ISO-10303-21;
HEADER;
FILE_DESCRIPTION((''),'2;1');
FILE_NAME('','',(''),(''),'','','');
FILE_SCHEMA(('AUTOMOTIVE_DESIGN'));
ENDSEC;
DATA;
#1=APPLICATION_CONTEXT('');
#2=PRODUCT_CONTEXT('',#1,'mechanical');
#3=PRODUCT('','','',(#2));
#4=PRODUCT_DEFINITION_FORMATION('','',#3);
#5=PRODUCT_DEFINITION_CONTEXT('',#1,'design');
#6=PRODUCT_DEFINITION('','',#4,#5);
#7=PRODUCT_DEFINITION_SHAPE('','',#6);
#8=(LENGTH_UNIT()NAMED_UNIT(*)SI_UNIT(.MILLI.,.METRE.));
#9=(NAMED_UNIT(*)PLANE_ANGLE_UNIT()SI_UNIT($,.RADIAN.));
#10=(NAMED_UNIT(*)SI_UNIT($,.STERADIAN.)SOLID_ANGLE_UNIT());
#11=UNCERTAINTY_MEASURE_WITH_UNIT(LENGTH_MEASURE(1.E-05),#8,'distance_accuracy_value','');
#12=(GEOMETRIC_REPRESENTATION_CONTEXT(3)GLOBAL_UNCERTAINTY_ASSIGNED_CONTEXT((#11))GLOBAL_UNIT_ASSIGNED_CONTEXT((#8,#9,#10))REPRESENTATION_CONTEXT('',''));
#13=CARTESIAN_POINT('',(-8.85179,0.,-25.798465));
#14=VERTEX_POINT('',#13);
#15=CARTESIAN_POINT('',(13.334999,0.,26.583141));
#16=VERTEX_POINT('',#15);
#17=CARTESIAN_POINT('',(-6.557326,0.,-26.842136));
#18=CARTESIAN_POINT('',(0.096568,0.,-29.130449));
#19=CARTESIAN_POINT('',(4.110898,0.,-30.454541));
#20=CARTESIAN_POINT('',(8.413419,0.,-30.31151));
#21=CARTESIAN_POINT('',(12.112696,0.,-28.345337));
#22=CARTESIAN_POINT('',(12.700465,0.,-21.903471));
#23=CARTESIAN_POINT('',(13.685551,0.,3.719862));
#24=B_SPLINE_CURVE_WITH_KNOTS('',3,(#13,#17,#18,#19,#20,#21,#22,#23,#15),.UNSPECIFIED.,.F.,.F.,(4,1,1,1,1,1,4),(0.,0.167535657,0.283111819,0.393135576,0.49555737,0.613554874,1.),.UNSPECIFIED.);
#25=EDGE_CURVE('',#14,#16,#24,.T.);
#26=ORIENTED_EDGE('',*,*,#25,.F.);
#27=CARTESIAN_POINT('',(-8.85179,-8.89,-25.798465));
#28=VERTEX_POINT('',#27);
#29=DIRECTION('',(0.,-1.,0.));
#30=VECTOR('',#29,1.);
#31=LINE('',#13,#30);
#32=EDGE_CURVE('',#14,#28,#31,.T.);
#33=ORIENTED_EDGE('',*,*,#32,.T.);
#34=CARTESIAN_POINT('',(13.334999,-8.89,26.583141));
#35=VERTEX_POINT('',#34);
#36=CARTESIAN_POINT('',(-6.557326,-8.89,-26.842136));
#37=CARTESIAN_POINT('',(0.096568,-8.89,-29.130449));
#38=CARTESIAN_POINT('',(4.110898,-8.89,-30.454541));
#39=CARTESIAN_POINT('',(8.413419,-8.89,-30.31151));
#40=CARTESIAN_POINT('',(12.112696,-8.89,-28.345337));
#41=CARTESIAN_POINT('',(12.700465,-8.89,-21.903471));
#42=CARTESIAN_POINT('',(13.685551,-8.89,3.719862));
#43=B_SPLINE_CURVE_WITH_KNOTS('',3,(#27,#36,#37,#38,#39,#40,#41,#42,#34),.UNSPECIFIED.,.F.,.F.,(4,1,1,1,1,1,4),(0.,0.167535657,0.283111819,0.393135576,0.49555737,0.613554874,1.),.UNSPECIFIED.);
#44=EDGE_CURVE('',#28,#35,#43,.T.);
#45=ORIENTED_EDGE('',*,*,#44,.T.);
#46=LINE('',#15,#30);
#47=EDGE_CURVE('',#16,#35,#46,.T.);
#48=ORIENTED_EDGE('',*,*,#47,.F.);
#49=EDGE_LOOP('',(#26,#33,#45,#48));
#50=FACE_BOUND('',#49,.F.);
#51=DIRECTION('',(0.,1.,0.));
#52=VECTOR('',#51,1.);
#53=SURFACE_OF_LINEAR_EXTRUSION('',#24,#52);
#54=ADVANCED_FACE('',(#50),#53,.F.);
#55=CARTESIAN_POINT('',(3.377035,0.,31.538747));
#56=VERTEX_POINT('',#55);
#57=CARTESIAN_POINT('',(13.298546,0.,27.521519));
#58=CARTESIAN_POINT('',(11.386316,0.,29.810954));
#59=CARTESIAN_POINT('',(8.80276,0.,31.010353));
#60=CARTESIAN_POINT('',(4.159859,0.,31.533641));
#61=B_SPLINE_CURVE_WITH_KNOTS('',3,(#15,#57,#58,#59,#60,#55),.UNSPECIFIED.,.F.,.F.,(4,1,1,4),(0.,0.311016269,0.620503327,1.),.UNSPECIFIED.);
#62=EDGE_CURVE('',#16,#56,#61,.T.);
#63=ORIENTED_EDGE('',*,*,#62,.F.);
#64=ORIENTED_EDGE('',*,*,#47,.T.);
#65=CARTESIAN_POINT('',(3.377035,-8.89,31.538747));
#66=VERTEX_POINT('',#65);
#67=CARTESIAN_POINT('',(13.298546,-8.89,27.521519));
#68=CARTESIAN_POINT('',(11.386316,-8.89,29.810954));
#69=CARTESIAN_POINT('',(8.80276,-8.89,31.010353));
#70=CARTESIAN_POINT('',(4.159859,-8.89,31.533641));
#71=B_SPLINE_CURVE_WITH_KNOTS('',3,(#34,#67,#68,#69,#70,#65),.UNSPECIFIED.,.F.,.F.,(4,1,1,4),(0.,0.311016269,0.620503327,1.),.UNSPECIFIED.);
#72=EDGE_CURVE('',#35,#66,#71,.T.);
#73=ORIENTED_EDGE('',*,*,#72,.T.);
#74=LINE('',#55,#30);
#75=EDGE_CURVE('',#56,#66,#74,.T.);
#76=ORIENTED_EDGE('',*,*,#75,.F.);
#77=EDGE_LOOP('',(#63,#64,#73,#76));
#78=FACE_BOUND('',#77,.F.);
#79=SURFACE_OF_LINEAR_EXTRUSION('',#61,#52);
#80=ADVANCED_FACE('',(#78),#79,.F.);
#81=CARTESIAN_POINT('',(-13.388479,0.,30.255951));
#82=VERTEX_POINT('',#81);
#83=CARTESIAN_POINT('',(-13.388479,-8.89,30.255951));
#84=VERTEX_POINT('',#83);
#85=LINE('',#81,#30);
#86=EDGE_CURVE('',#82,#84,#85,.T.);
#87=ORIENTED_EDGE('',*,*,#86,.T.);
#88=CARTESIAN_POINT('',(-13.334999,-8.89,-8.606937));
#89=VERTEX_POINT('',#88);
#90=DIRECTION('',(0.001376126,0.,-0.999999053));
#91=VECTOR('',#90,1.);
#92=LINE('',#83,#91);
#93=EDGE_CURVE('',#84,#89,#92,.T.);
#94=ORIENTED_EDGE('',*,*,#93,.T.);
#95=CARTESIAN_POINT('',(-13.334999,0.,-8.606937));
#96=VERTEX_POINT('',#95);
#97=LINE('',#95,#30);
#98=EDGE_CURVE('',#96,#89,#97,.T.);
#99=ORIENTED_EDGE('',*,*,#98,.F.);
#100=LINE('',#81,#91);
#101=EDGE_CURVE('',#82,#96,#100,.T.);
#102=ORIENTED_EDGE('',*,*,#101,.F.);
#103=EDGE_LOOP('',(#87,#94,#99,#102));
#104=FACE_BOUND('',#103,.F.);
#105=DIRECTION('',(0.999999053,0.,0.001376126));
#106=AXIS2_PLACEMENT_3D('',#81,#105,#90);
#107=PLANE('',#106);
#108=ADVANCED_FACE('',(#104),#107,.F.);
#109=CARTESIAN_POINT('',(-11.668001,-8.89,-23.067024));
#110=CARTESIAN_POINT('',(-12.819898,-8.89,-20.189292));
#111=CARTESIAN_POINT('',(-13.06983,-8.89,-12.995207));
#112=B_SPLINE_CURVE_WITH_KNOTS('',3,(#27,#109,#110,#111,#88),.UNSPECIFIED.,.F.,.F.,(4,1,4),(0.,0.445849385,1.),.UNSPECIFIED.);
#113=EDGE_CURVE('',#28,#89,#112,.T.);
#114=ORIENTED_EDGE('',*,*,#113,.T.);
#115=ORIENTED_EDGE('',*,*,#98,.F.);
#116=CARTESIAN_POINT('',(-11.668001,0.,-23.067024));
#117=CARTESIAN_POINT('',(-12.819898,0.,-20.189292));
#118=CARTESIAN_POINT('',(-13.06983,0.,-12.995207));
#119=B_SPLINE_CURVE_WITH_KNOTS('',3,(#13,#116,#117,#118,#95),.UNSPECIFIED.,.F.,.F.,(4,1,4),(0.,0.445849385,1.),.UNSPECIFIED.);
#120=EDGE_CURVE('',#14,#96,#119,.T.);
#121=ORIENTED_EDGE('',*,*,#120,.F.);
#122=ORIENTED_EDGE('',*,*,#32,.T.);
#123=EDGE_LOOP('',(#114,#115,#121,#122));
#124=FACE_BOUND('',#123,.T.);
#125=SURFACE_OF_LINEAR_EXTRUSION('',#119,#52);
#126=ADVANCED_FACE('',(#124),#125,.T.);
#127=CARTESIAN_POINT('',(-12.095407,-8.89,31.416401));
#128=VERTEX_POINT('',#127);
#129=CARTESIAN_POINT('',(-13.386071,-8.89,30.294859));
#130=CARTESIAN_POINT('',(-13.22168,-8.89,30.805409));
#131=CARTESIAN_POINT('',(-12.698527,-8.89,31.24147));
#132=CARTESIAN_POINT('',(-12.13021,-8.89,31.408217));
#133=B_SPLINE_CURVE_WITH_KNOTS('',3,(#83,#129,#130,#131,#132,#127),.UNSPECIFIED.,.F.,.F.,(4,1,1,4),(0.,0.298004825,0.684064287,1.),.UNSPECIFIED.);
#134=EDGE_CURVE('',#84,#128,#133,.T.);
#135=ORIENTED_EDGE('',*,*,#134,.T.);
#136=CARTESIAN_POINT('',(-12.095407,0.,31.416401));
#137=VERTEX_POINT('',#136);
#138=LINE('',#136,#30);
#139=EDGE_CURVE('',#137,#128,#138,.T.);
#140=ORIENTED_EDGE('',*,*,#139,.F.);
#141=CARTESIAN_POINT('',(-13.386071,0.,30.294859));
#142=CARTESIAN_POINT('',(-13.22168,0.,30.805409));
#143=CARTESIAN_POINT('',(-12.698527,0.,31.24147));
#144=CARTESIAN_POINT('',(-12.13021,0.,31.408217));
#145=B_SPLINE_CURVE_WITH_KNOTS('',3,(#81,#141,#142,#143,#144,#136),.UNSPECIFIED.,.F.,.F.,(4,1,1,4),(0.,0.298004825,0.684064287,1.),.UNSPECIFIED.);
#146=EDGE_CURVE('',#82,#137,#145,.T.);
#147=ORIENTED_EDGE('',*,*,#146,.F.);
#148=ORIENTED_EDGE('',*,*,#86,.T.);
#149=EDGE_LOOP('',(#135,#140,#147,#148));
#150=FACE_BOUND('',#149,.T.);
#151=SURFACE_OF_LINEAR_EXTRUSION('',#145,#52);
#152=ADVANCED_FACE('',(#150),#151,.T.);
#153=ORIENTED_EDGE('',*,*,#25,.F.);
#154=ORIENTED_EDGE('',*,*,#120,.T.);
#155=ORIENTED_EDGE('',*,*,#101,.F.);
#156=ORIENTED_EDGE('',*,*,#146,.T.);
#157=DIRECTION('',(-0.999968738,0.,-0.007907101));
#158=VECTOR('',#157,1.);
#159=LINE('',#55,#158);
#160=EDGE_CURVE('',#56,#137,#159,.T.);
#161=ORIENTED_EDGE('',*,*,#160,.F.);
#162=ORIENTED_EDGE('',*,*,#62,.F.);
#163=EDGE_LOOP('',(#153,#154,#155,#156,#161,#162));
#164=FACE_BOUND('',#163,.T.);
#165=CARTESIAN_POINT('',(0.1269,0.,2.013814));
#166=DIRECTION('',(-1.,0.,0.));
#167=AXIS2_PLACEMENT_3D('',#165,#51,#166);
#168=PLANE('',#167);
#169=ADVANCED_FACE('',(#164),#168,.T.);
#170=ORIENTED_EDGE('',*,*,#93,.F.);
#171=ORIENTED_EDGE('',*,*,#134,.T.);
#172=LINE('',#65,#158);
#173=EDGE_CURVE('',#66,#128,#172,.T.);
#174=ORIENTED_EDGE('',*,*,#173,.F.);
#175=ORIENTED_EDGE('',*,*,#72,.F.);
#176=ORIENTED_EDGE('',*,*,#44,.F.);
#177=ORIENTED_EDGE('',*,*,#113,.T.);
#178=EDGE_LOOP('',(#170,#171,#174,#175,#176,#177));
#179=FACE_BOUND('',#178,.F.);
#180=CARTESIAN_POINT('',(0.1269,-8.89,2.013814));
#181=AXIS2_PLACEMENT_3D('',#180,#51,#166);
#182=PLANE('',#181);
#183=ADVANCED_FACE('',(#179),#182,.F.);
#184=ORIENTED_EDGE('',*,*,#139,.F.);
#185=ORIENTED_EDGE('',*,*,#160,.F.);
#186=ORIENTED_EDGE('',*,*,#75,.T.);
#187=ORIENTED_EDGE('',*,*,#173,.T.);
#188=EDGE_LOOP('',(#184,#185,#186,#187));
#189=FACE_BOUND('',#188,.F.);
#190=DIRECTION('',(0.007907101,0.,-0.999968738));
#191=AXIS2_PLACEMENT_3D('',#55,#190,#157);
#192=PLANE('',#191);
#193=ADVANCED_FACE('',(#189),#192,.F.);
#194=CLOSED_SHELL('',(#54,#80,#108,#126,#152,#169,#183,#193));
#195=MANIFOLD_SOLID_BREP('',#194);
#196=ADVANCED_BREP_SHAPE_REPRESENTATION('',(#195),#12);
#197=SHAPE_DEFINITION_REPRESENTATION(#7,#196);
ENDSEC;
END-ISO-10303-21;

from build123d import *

# Parameters (mm, degrees)
F1_DEPTH = 8.89


with BuildPart() as f1:
    # F0 (on Front) → F1 (new body)
    with BuildSketch(Plane.XZ):
        with BuildLine():
            add(Edge.make_bspline(
                [(-8.8517899239, -25.7984651067), (-11.6680012094, -23.0670236789), (-12.8198983179, -20.1892915209), (-13.0698299035, -12.9952067509), (-13.334998861, -8.6069367826)],
                knots=[0, 0, 0, 0, 0.4458493851, 1, 1, 1, 1], degree=3))
            add(Edge.make_bspline(
                [(-8.8517899239, -25.7984651067), (-6.5573255733, -26.8421364033), (0.0965683573, -29.1304489794), (4.1108982784, -30.4545407577), (8.4134186445, -30.3115102137), (12.11269576, -28.3453373487), (12.7004651392, -21.9034709367), (13.6855508979, 3.7198621975), (13.334998861, 26.583140716)],
                knots=[0, 0, 0, 0, 0.1675356569, 0.2831118187, 0.393135576, 0.4955573698, 0.6135548738, 1, 1, 1, 1], degree=3))
            add(Edge.make_bspline(
                [(13.334998861, 26.583140716), (13.2985458551, 27.5215194555), (11.386315847, 29.8109540032), (8.8027598882, 31.0103526805), (4.1598589163, 31.5336405852), (3.3770347945, 31.538747251)],
                knots=[0, 0, 0, 0, 0.311016269, 0.6205033273, 1, 1, 1, 1], degree=3))
            Line((3.3770347945, 31.538747251), (-12.0954066515, 31.4164012671))
            add(Edge.make_bspline(
                [(-13.3884791285, 30.2559509873), (-13.3860710903, 30.2948592322), (-13.2216804514, 30.8054093651), (-12.6985269812, 31.24147009), (-12.1302098421, 31.4082165248), (-12.0954066515, 31.4164012671)],
                knots=[0, 0, 0, 0, 0.2980048249, 0.6840642873, 1, 1, 1, 1], degree=3))
            Line((-13.3884791285, 30.2559509873), (-13.334998861, -8.6069367826))
        make_face()
    extrude(amount=F1_DEPTH)


solid = f1.part
